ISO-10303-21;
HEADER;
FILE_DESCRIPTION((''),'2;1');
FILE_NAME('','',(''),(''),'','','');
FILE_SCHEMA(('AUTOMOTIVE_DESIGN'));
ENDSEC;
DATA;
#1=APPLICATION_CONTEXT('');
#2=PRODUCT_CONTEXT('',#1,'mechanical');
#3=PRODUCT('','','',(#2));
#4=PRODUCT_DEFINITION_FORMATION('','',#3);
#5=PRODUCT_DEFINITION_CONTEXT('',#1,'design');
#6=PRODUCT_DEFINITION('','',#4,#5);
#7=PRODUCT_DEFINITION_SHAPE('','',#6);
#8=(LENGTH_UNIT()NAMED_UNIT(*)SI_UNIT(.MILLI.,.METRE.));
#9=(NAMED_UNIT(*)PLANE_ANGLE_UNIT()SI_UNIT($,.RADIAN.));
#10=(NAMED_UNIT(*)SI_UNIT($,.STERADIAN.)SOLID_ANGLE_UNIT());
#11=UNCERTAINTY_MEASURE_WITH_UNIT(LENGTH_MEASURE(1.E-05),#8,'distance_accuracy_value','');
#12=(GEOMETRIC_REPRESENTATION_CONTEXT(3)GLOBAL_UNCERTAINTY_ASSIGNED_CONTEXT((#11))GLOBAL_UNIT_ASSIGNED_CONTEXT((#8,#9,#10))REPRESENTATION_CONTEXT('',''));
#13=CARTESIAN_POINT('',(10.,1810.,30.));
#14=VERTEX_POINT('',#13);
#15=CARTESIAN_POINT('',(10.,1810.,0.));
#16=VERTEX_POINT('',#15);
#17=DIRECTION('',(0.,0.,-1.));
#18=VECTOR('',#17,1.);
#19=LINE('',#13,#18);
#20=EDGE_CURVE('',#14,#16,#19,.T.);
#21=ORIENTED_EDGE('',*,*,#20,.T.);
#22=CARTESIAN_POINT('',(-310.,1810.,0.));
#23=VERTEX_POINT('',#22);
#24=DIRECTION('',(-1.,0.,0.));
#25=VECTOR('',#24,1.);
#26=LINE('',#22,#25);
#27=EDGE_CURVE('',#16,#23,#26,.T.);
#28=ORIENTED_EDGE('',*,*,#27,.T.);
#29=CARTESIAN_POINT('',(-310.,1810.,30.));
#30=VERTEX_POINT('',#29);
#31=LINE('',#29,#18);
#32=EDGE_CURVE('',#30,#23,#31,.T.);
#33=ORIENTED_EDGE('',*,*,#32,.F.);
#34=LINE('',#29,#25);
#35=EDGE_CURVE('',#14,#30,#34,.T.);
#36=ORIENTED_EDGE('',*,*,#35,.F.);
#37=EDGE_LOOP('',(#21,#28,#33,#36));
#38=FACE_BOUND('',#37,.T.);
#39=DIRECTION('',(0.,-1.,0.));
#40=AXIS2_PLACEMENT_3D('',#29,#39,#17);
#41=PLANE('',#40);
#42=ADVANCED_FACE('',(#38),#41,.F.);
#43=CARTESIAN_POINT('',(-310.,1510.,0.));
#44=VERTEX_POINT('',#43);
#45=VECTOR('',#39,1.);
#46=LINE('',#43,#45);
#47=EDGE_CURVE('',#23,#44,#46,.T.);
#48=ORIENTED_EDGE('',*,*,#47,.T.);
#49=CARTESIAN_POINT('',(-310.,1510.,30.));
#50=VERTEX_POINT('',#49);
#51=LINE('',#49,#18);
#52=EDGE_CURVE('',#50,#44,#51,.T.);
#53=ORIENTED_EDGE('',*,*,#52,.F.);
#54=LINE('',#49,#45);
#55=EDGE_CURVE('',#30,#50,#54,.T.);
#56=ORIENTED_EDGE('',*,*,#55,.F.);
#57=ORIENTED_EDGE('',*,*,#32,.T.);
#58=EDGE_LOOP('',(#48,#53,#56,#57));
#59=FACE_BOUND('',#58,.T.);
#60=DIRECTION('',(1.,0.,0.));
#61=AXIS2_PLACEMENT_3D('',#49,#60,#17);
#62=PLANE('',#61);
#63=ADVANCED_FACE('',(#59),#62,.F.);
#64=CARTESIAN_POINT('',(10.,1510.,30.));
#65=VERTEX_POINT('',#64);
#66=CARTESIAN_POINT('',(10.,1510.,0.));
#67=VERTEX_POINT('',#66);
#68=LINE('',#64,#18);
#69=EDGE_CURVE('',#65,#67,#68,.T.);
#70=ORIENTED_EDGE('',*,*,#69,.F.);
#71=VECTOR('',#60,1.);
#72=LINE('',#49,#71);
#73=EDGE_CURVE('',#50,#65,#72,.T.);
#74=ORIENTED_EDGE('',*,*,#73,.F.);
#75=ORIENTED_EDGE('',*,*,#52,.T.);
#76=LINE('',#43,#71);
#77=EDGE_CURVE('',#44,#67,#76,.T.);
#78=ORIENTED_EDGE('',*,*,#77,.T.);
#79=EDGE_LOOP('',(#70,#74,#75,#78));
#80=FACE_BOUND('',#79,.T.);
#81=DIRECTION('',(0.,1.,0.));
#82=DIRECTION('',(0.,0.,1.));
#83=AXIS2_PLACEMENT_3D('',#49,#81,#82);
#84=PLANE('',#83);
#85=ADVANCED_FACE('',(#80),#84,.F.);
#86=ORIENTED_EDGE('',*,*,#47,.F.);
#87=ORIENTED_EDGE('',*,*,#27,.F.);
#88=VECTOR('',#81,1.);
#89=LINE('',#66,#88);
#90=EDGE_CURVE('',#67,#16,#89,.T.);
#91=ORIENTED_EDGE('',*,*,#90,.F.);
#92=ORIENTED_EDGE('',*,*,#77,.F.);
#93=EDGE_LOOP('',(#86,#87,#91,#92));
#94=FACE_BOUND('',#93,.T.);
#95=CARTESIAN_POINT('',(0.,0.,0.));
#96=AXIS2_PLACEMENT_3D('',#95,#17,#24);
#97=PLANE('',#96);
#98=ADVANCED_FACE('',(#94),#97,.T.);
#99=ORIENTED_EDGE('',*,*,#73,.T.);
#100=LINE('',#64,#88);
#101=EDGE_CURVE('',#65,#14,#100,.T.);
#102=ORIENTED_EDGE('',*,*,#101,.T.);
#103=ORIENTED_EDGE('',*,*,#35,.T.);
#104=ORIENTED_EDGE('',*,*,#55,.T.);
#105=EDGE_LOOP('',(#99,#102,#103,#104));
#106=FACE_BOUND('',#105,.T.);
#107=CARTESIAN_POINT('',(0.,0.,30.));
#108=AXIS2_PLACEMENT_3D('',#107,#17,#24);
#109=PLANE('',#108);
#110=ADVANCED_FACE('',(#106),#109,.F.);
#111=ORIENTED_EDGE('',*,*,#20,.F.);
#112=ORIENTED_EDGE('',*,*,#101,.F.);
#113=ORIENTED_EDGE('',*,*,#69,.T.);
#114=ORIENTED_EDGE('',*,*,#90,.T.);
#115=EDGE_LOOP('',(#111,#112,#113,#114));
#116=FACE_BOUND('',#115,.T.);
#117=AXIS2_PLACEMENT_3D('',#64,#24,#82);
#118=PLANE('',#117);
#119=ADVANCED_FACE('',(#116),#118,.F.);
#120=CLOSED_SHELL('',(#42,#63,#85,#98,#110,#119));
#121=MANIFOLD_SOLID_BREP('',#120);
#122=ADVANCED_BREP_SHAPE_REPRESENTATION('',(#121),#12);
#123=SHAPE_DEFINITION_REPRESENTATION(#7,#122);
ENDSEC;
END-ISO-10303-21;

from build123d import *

# Parameters (mm, degrees)
SZKIC1_W                    = 320
SZKIC1_H                    = 300
DODANIE_WYCI_GNI_CIE1_DEPTH = 30


with BuildPart() as part:
    # Szkic1 → Dodanie-wyciągnięcie1 (new body)
    with BuildSketch(Plane.XY):
        with Locations((-150, 1660)):
            Rectangle(SZKIC1_W, SZKIC1_H)
    extrude(amount=DODANIE_WYCI_GNI_CIE1_DEPTH)


solid = part.part
